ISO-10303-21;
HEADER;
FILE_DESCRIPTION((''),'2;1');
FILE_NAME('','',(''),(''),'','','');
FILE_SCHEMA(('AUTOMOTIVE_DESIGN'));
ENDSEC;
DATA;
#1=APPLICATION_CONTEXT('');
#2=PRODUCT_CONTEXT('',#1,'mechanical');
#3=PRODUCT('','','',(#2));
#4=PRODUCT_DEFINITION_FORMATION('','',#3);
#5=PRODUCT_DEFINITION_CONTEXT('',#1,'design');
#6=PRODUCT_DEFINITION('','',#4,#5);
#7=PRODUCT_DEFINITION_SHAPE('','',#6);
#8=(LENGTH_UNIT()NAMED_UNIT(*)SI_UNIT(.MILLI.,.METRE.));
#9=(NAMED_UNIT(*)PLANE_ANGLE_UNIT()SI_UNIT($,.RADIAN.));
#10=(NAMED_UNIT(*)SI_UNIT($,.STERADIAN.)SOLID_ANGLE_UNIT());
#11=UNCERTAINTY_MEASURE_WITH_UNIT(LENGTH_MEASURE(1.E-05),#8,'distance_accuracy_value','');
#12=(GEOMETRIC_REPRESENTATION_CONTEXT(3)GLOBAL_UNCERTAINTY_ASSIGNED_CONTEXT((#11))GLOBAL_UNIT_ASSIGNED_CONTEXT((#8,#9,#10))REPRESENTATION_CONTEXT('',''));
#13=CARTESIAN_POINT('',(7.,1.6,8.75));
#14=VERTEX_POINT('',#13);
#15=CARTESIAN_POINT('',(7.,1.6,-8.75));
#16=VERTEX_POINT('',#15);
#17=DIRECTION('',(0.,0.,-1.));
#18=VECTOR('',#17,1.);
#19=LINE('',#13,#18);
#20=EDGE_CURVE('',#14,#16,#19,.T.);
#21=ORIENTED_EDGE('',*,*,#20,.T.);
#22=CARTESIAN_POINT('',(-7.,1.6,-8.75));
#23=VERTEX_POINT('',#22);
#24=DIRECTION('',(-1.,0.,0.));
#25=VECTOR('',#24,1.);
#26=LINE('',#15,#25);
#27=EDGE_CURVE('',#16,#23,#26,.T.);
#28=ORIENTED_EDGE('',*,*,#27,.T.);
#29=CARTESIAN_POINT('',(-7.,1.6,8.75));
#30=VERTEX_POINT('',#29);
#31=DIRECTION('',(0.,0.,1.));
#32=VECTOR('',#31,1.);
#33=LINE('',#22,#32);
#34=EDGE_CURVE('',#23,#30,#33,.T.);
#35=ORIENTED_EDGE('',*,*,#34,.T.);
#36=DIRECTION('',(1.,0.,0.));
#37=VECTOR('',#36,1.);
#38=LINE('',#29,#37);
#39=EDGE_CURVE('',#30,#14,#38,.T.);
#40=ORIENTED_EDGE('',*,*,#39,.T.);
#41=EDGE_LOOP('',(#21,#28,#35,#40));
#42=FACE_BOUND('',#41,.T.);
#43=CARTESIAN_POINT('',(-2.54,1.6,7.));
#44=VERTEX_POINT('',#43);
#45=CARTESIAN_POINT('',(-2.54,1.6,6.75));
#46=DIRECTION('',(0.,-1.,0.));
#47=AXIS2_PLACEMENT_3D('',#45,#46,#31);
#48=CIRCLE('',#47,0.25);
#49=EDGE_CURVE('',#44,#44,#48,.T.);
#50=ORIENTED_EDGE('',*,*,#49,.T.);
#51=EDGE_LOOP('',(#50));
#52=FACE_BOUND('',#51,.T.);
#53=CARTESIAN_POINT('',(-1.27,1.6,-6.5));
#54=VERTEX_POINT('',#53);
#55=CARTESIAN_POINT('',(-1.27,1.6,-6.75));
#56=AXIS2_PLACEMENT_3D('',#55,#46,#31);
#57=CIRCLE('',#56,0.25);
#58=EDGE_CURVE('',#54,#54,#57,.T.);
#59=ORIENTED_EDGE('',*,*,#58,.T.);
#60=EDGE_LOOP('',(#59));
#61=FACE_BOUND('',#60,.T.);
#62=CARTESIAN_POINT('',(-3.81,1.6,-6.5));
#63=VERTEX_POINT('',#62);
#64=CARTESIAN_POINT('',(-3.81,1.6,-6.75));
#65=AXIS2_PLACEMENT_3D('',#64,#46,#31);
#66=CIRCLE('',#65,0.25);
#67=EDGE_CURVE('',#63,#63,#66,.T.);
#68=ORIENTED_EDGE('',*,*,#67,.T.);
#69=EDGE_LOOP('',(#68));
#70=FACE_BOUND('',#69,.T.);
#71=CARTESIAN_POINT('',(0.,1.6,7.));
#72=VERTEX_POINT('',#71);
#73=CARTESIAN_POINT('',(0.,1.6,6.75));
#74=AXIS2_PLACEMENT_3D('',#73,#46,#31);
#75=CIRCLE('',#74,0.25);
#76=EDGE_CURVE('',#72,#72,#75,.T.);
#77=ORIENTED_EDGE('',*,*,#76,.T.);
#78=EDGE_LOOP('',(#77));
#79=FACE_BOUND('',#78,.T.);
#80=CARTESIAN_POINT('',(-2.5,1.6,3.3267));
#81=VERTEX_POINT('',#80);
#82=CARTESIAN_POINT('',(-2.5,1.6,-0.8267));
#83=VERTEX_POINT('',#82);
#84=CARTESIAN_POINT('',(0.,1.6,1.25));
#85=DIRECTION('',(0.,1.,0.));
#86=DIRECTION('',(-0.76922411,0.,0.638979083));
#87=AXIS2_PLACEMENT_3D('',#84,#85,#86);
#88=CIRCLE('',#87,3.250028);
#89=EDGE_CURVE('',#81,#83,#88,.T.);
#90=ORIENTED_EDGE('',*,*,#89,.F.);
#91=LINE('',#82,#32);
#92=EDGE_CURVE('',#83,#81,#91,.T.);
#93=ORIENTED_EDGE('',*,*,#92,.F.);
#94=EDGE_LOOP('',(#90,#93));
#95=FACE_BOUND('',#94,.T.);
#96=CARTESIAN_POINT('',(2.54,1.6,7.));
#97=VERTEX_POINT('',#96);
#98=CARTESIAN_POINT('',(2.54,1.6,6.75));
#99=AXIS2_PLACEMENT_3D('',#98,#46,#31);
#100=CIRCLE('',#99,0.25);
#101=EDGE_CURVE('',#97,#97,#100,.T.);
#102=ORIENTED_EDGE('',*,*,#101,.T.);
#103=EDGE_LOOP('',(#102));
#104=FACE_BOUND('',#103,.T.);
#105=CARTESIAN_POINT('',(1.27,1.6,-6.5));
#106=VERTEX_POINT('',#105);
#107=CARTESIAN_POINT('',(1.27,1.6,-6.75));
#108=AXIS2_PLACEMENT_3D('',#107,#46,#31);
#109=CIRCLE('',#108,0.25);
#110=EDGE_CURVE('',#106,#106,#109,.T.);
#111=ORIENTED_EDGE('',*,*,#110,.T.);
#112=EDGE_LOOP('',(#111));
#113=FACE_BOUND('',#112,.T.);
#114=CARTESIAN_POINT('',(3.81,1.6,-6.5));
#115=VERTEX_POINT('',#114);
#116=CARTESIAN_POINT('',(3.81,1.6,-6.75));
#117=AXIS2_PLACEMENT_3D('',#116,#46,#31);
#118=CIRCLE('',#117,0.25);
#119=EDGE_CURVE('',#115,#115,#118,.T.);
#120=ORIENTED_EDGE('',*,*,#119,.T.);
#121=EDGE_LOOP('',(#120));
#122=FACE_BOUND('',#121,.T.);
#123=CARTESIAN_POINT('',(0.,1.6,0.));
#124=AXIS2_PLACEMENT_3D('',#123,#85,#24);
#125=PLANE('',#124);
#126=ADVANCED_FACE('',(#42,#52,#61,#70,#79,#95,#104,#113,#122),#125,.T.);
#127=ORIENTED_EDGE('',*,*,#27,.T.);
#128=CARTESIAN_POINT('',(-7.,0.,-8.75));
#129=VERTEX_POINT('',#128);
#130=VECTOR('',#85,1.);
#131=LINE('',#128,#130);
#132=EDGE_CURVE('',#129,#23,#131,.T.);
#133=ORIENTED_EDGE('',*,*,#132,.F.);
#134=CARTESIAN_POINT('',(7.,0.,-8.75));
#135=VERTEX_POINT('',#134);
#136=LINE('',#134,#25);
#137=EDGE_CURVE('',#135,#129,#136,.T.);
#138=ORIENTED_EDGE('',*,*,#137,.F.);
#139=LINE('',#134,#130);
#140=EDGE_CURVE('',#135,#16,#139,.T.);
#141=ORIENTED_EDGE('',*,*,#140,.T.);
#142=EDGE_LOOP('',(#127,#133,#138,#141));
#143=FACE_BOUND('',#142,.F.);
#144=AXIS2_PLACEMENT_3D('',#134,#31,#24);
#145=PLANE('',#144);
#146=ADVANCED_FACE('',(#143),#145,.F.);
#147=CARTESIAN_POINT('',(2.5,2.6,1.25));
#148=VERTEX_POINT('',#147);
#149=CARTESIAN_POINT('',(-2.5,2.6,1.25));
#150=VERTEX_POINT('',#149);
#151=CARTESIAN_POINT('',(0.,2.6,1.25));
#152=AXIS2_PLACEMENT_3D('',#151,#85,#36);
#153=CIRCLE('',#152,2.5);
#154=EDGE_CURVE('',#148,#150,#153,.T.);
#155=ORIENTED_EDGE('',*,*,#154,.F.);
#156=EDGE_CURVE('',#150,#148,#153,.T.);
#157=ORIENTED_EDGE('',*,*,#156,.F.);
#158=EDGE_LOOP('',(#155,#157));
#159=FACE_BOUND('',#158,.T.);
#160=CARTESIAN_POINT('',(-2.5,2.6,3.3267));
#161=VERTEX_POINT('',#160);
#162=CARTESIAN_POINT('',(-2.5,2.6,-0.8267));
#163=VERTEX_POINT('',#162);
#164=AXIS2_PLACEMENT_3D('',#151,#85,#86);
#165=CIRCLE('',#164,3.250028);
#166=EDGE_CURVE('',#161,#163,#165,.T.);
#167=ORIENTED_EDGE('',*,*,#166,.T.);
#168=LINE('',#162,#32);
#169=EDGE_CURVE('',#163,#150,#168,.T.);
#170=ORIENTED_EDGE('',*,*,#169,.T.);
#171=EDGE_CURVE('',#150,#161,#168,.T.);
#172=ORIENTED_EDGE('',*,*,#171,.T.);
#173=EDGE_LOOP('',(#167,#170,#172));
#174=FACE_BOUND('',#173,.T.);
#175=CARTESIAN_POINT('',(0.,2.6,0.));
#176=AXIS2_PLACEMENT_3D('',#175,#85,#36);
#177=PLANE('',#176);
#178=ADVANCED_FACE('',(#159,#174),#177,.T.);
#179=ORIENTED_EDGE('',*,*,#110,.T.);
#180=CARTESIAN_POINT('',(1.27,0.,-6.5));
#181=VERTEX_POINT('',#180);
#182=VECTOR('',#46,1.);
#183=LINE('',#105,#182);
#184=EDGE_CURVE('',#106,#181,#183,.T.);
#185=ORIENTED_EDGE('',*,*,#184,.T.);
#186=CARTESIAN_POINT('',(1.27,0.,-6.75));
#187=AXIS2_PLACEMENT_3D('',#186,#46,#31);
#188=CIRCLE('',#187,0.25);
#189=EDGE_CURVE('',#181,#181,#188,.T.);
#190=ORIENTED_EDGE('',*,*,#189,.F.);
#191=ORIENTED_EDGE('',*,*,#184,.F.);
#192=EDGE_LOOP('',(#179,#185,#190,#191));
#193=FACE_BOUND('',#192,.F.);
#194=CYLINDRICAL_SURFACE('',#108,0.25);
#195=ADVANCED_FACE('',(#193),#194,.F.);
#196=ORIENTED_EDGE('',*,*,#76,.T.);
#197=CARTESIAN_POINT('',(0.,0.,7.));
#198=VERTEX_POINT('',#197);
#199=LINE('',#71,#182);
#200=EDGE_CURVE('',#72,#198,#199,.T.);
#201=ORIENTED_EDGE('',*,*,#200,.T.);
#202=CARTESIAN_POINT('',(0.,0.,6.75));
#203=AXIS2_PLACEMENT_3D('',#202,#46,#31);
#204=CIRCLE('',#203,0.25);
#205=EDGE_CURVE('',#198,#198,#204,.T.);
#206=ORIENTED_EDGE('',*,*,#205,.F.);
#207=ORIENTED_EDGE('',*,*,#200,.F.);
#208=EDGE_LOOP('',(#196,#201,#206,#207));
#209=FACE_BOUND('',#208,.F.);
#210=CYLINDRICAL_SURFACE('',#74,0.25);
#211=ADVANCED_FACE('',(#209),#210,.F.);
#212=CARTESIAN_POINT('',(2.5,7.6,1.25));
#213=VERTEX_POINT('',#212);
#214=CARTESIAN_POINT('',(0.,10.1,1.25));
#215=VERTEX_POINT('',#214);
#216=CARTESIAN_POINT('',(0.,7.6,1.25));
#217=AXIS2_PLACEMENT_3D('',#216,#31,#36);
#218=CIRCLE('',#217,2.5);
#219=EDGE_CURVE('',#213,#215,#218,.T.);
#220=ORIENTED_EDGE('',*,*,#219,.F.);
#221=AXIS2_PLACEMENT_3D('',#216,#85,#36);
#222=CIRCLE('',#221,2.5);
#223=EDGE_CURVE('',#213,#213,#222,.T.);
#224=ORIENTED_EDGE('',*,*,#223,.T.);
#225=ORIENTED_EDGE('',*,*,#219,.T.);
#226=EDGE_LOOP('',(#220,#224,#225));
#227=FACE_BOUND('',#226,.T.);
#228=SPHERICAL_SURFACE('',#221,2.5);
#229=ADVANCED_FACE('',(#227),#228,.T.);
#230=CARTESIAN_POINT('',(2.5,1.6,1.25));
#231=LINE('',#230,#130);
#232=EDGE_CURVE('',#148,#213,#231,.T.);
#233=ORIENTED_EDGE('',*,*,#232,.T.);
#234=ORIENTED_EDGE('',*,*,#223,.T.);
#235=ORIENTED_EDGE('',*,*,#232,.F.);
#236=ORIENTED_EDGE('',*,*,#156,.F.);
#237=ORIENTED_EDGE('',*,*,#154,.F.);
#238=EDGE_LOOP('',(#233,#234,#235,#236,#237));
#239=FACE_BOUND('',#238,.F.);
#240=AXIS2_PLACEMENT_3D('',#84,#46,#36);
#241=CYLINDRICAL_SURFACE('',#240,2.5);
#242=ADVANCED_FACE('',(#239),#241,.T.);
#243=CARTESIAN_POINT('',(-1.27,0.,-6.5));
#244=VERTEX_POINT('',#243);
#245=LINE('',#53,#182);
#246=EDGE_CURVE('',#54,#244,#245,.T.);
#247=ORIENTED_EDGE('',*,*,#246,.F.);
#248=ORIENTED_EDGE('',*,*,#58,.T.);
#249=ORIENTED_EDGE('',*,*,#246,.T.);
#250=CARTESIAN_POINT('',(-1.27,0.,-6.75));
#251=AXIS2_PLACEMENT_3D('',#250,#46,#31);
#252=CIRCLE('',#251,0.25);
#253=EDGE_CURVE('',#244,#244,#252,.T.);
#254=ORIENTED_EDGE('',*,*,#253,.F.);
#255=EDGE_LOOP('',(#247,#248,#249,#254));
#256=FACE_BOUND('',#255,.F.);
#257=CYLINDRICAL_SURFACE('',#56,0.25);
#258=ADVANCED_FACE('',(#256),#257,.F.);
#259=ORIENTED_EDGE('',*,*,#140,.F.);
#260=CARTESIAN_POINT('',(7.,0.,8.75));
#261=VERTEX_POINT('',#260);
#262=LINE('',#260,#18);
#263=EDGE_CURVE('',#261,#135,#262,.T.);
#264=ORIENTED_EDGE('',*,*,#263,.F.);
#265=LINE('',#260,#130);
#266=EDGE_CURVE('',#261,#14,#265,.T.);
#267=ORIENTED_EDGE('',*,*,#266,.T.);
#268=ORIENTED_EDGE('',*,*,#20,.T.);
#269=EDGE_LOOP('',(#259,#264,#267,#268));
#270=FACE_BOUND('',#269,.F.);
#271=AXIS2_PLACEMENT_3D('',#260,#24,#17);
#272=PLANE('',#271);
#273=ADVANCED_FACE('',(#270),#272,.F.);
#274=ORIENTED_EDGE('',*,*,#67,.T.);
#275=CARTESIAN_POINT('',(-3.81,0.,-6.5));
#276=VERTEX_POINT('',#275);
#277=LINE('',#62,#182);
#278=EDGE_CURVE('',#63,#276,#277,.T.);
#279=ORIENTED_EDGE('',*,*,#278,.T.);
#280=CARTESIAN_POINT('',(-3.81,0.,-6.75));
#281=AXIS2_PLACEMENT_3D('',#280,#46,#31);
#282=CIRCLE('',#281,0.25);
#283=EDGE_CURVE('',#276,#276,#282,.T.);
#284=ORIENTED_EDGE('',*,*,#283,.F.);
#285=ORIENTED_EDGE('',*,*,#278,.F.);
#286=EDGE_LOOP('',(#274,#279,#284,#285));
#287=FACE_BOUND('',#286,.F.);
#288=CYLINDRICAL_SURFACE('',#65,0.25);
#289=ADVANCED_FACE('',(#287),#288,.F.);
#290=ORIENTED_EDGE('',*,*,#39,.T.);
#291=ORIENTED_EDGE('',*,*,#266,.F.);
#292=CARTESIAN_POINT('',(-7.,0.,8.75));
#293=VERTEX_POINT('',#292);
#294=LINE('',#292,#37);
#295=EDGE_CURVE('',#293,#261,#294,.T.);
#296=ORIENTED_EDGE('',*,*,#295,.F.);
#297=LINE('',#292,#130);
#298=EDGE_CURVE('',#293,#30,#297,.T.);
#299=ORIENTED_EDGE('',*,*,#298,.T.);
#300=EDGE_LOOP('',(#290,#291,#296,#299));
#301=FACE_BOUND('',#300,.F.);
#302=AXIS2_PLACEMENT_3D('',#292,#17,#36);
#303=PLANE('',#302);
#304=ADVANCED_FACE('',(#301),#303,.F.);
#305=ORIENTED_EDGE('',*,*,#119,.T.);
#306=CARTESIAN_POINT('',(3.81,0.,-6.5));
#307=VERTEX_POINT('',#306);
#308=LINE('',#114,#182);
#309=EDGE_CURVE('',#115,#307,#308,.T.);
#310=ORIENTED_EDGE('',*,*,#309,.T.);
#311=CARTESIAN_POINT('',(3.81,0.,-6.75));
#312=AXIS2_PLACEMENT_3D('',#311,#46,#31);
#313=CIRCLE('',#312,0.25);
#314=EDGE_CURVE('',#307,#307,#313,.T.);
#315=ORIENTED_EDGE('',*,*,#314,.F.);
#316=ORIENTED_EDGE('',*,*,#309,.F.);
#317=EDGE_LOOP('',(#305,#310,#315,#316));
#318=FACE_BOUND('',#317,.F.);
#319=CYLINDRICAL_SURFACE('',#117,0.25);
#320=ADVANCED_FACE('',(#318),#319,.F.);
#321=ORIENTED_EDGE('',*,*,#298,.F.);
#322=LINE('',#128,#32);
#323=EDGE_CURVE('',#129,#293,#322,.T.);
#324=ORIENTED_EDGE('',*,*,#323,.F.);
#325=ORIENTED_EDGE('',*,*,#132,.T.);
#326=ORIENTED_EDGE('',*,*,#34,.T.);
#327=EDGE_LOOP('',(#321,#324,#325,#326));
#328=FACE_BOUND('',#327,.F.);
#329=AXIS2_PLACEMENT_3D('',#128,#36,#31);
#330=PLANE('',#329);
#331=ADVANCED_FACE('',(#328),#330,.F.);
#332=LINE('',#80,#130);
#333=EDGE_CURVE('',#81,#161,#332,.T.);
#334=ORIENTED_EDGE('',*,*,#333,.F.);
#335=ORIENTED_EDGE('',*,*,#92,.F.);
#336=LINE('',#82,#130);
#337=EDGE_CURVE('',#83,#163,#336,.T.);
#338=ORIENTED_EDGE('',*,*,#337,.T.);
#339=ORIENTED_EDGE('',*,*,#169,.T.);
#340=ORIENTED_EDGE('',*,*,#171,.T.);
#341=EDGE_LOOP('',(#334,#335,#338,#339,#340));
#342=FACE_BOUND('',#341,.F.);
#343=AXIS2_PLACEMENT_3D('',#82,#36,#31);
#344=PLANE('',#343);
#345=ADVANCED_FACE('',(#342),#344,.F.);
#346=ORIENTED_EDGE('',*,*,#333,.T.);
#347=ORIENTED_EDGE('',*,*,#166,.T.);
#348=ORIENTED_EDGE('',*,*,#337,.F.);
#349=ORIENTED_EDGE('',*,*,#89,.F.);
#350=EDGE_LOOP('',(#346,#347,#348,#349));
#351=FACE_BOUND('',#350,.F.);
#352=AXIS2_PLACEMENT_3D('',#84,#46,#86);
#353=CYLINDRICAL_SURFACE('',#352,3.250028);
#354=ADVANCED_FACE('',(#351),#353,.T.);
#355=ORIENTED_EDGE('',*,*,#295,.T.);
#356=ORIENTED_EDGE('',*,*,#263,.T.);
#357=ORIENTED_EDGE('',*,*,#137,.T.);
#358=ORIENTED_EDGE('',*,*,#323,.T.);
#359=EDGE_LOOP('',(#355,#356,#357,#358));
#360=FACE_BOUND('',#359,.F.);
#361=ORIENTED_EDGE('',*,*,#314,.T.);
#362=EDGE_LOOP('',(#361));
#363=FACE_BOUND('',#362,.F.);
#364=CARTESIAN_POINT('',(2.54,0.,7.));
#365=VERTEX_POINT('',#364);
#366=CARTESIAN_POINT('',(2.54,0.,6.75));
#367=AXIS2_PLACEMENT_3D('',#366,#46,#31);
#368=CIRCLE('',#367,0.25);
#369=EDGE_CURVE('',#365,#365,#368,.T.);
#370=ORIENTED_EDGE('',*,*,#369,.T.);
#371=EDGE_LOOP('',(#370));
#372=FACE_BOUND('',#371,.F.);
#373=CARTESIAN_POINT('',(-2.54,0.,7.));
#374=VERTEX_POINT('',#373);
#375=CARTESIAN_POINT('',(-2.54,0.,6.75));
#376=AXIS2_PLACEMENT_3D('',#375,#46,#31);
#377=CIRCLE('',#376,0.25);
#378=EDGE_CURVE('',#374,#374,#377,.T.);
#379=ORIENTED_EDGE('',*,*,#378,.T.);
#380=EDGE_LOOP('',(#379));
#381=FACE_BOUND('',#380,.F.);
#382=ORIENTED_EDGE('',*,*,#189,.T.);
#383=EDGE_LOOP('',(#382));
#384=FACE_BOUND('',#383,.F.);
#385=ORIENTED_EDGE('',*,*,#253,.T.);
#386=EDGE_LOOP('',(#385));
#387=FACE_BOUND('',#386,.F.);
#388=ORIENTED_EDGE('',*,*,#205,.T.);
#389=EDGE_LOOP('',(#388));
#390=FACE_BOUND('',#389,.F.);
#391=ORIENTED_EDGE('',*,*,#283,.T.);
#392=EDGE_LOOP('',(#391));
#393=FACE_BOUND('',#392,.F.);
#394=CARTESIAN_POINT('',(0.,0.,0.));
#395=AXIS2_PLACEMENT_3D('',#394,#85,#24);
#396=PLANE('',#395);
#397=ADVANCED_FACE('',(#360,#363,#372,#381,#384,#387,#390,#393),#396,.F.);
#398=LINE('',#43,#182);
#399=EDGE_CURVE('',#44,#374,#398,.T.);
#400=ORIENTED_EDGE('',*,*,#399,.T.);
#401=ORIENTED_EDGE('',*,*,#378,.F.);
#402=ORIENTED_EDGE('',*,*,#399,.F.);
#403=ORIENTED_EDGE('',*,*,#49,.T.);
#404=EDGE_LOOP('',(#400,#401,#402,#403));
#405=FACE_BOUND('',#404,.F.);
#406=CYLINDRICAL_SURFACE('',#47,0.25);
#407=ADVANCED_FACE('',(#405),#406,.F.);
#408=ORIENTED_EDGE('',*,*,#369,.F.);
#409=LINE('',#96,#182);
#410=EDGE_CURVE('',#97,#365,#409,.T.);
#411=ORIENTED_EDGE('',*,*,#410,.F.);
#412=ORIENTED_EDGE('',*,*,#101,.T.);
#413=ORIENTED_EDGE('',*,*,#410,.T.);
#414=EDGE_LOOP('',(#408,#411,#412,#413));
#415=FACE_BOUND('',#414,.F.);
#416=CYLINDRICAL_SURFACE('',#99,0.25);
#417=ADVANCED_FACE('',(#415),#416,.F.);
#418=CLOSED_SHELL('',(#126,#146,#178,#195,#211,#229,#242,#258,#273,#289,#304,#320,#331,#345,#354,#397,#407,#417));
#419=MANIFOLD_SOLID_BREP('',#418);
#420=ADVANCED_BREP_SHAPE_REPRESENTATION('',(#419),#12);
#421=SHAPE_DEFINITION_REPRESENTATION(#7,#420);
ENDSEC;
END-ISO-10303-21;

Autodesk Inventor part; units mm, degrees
ref_plane "YZ Plane" through (0, 0, 0) normal (1, 0, 0) x (0, 1, 0)
ref_plane "XZ Plane" through (0, 0, 0) normal (0, 1, 0) x (-1, 0, 0)
ref_plane "XY Plane" through (0, 0, 0) normal (0, 0, 1) x (1, 0, 0)
sketch "Sketch1" plane through (0, 0, 0) normal (0, 1, 0) x (-1, 0, 0)
  line L0 (7, 8.75) -> (-7, 8.75)
  line L1 (-7, 8.75) -> (-7, -8.75)
  line L2 (-7, -8.75) -> (7, -8.75)
  line L3 (7, -8.75) -> (7, 8.75)
  point P0 (0, 0)
  point P1 (0, -8.75)
  point P2 (-7, 0)
  dimension "d0" = 17.5
  dimension "d1" = 14
extrude "Extrusion1" add sketch "Sketch1" along normal blind 1.6
sketch "Sketch2" plane through (0, 1.6, 0) normal (0, 1, 0) x (1, 0, 0)
  line L0 (0, 3.5818) -> (0, 1.7058) construction
  line L1 (-7, -8.75) -> (7, -8.75) construction
  point P0 (0, 0)
  point P1 (0, -1.25)
  point P2 (-3.81, 6.75)
  point P3 (-1.27, 6.75)
  point P4 (1.27, 6.75)
  point P5 (3.81, 6.75)
  point P6 (-2.54, -6.75)
  point P7 (0, -6.75)
  point P8 (2.54, -6.75)
  dimension "d4" = 2.54
  dimension "d5" = 2.54
  dimension "d7" = 2.54
  dimension "d8" = 5.5
  dimension "d9" = 8
  dimension "d10" = 2
hole "Hole1" at (-3.81, 1.6, -6.75) at (-1.27, 1.6, -6.75) at (1.27, 1.6, -6.75) at (3.81, 1.6, -6.75) at (-2.54, 1.6, 6.75) at (0, 1.6, 6.75) at (2.54, 1.6, 6.75) direction (0, -1, 0) diameter 0.5 end through all
sketch "Sketch3" plane through (0, 1.6, 0) normal (0, 1, 0) x (1, 0, 0)
  circle A0 centre (0, -1.25) radius 2.5
  circle A1 centre (0, -6.75) radius 0.25 projected
  point P0 (0, 0)
  dimension "d20" = 5.5
  dimension "d21" = 5
sketch "Sketch4" plane through (0, 1.6, 0) normal (0, 1, 0) x (1, 0, 0)
  point P0 (0, 0)
extrude "Extrusion2" add sketch "Sketch3" along normal blind 8.5 contours A0
fillet "Fillet1" radius 2.5 1 edges at (-2.5, 10.1, 1.25)
sketch "Sketch5" plane through (0, 1.6, 0) normal (0, 1, 0) x (1, 0, 0)
  circle A0 centre (0, -1.25) radius 2.5 projected
  arc A1 (-2.5, -3.3267) -> (-2.5, 0.8267) centre (0, -1.25) ccw
  line L0 (-2.5, 0.8267) -> (-2.5, -3.3267)
  point P0 (0, 0)
  point P1 (-2.5, -1.25)
  dimension "d23" = 6.5
extrude "Extrusion3" add sketch "Sketch5" along normal blind 1
equation "\"d5\" = d4"
equation "\"d7\" = d4"
properties part number "LED_module"
